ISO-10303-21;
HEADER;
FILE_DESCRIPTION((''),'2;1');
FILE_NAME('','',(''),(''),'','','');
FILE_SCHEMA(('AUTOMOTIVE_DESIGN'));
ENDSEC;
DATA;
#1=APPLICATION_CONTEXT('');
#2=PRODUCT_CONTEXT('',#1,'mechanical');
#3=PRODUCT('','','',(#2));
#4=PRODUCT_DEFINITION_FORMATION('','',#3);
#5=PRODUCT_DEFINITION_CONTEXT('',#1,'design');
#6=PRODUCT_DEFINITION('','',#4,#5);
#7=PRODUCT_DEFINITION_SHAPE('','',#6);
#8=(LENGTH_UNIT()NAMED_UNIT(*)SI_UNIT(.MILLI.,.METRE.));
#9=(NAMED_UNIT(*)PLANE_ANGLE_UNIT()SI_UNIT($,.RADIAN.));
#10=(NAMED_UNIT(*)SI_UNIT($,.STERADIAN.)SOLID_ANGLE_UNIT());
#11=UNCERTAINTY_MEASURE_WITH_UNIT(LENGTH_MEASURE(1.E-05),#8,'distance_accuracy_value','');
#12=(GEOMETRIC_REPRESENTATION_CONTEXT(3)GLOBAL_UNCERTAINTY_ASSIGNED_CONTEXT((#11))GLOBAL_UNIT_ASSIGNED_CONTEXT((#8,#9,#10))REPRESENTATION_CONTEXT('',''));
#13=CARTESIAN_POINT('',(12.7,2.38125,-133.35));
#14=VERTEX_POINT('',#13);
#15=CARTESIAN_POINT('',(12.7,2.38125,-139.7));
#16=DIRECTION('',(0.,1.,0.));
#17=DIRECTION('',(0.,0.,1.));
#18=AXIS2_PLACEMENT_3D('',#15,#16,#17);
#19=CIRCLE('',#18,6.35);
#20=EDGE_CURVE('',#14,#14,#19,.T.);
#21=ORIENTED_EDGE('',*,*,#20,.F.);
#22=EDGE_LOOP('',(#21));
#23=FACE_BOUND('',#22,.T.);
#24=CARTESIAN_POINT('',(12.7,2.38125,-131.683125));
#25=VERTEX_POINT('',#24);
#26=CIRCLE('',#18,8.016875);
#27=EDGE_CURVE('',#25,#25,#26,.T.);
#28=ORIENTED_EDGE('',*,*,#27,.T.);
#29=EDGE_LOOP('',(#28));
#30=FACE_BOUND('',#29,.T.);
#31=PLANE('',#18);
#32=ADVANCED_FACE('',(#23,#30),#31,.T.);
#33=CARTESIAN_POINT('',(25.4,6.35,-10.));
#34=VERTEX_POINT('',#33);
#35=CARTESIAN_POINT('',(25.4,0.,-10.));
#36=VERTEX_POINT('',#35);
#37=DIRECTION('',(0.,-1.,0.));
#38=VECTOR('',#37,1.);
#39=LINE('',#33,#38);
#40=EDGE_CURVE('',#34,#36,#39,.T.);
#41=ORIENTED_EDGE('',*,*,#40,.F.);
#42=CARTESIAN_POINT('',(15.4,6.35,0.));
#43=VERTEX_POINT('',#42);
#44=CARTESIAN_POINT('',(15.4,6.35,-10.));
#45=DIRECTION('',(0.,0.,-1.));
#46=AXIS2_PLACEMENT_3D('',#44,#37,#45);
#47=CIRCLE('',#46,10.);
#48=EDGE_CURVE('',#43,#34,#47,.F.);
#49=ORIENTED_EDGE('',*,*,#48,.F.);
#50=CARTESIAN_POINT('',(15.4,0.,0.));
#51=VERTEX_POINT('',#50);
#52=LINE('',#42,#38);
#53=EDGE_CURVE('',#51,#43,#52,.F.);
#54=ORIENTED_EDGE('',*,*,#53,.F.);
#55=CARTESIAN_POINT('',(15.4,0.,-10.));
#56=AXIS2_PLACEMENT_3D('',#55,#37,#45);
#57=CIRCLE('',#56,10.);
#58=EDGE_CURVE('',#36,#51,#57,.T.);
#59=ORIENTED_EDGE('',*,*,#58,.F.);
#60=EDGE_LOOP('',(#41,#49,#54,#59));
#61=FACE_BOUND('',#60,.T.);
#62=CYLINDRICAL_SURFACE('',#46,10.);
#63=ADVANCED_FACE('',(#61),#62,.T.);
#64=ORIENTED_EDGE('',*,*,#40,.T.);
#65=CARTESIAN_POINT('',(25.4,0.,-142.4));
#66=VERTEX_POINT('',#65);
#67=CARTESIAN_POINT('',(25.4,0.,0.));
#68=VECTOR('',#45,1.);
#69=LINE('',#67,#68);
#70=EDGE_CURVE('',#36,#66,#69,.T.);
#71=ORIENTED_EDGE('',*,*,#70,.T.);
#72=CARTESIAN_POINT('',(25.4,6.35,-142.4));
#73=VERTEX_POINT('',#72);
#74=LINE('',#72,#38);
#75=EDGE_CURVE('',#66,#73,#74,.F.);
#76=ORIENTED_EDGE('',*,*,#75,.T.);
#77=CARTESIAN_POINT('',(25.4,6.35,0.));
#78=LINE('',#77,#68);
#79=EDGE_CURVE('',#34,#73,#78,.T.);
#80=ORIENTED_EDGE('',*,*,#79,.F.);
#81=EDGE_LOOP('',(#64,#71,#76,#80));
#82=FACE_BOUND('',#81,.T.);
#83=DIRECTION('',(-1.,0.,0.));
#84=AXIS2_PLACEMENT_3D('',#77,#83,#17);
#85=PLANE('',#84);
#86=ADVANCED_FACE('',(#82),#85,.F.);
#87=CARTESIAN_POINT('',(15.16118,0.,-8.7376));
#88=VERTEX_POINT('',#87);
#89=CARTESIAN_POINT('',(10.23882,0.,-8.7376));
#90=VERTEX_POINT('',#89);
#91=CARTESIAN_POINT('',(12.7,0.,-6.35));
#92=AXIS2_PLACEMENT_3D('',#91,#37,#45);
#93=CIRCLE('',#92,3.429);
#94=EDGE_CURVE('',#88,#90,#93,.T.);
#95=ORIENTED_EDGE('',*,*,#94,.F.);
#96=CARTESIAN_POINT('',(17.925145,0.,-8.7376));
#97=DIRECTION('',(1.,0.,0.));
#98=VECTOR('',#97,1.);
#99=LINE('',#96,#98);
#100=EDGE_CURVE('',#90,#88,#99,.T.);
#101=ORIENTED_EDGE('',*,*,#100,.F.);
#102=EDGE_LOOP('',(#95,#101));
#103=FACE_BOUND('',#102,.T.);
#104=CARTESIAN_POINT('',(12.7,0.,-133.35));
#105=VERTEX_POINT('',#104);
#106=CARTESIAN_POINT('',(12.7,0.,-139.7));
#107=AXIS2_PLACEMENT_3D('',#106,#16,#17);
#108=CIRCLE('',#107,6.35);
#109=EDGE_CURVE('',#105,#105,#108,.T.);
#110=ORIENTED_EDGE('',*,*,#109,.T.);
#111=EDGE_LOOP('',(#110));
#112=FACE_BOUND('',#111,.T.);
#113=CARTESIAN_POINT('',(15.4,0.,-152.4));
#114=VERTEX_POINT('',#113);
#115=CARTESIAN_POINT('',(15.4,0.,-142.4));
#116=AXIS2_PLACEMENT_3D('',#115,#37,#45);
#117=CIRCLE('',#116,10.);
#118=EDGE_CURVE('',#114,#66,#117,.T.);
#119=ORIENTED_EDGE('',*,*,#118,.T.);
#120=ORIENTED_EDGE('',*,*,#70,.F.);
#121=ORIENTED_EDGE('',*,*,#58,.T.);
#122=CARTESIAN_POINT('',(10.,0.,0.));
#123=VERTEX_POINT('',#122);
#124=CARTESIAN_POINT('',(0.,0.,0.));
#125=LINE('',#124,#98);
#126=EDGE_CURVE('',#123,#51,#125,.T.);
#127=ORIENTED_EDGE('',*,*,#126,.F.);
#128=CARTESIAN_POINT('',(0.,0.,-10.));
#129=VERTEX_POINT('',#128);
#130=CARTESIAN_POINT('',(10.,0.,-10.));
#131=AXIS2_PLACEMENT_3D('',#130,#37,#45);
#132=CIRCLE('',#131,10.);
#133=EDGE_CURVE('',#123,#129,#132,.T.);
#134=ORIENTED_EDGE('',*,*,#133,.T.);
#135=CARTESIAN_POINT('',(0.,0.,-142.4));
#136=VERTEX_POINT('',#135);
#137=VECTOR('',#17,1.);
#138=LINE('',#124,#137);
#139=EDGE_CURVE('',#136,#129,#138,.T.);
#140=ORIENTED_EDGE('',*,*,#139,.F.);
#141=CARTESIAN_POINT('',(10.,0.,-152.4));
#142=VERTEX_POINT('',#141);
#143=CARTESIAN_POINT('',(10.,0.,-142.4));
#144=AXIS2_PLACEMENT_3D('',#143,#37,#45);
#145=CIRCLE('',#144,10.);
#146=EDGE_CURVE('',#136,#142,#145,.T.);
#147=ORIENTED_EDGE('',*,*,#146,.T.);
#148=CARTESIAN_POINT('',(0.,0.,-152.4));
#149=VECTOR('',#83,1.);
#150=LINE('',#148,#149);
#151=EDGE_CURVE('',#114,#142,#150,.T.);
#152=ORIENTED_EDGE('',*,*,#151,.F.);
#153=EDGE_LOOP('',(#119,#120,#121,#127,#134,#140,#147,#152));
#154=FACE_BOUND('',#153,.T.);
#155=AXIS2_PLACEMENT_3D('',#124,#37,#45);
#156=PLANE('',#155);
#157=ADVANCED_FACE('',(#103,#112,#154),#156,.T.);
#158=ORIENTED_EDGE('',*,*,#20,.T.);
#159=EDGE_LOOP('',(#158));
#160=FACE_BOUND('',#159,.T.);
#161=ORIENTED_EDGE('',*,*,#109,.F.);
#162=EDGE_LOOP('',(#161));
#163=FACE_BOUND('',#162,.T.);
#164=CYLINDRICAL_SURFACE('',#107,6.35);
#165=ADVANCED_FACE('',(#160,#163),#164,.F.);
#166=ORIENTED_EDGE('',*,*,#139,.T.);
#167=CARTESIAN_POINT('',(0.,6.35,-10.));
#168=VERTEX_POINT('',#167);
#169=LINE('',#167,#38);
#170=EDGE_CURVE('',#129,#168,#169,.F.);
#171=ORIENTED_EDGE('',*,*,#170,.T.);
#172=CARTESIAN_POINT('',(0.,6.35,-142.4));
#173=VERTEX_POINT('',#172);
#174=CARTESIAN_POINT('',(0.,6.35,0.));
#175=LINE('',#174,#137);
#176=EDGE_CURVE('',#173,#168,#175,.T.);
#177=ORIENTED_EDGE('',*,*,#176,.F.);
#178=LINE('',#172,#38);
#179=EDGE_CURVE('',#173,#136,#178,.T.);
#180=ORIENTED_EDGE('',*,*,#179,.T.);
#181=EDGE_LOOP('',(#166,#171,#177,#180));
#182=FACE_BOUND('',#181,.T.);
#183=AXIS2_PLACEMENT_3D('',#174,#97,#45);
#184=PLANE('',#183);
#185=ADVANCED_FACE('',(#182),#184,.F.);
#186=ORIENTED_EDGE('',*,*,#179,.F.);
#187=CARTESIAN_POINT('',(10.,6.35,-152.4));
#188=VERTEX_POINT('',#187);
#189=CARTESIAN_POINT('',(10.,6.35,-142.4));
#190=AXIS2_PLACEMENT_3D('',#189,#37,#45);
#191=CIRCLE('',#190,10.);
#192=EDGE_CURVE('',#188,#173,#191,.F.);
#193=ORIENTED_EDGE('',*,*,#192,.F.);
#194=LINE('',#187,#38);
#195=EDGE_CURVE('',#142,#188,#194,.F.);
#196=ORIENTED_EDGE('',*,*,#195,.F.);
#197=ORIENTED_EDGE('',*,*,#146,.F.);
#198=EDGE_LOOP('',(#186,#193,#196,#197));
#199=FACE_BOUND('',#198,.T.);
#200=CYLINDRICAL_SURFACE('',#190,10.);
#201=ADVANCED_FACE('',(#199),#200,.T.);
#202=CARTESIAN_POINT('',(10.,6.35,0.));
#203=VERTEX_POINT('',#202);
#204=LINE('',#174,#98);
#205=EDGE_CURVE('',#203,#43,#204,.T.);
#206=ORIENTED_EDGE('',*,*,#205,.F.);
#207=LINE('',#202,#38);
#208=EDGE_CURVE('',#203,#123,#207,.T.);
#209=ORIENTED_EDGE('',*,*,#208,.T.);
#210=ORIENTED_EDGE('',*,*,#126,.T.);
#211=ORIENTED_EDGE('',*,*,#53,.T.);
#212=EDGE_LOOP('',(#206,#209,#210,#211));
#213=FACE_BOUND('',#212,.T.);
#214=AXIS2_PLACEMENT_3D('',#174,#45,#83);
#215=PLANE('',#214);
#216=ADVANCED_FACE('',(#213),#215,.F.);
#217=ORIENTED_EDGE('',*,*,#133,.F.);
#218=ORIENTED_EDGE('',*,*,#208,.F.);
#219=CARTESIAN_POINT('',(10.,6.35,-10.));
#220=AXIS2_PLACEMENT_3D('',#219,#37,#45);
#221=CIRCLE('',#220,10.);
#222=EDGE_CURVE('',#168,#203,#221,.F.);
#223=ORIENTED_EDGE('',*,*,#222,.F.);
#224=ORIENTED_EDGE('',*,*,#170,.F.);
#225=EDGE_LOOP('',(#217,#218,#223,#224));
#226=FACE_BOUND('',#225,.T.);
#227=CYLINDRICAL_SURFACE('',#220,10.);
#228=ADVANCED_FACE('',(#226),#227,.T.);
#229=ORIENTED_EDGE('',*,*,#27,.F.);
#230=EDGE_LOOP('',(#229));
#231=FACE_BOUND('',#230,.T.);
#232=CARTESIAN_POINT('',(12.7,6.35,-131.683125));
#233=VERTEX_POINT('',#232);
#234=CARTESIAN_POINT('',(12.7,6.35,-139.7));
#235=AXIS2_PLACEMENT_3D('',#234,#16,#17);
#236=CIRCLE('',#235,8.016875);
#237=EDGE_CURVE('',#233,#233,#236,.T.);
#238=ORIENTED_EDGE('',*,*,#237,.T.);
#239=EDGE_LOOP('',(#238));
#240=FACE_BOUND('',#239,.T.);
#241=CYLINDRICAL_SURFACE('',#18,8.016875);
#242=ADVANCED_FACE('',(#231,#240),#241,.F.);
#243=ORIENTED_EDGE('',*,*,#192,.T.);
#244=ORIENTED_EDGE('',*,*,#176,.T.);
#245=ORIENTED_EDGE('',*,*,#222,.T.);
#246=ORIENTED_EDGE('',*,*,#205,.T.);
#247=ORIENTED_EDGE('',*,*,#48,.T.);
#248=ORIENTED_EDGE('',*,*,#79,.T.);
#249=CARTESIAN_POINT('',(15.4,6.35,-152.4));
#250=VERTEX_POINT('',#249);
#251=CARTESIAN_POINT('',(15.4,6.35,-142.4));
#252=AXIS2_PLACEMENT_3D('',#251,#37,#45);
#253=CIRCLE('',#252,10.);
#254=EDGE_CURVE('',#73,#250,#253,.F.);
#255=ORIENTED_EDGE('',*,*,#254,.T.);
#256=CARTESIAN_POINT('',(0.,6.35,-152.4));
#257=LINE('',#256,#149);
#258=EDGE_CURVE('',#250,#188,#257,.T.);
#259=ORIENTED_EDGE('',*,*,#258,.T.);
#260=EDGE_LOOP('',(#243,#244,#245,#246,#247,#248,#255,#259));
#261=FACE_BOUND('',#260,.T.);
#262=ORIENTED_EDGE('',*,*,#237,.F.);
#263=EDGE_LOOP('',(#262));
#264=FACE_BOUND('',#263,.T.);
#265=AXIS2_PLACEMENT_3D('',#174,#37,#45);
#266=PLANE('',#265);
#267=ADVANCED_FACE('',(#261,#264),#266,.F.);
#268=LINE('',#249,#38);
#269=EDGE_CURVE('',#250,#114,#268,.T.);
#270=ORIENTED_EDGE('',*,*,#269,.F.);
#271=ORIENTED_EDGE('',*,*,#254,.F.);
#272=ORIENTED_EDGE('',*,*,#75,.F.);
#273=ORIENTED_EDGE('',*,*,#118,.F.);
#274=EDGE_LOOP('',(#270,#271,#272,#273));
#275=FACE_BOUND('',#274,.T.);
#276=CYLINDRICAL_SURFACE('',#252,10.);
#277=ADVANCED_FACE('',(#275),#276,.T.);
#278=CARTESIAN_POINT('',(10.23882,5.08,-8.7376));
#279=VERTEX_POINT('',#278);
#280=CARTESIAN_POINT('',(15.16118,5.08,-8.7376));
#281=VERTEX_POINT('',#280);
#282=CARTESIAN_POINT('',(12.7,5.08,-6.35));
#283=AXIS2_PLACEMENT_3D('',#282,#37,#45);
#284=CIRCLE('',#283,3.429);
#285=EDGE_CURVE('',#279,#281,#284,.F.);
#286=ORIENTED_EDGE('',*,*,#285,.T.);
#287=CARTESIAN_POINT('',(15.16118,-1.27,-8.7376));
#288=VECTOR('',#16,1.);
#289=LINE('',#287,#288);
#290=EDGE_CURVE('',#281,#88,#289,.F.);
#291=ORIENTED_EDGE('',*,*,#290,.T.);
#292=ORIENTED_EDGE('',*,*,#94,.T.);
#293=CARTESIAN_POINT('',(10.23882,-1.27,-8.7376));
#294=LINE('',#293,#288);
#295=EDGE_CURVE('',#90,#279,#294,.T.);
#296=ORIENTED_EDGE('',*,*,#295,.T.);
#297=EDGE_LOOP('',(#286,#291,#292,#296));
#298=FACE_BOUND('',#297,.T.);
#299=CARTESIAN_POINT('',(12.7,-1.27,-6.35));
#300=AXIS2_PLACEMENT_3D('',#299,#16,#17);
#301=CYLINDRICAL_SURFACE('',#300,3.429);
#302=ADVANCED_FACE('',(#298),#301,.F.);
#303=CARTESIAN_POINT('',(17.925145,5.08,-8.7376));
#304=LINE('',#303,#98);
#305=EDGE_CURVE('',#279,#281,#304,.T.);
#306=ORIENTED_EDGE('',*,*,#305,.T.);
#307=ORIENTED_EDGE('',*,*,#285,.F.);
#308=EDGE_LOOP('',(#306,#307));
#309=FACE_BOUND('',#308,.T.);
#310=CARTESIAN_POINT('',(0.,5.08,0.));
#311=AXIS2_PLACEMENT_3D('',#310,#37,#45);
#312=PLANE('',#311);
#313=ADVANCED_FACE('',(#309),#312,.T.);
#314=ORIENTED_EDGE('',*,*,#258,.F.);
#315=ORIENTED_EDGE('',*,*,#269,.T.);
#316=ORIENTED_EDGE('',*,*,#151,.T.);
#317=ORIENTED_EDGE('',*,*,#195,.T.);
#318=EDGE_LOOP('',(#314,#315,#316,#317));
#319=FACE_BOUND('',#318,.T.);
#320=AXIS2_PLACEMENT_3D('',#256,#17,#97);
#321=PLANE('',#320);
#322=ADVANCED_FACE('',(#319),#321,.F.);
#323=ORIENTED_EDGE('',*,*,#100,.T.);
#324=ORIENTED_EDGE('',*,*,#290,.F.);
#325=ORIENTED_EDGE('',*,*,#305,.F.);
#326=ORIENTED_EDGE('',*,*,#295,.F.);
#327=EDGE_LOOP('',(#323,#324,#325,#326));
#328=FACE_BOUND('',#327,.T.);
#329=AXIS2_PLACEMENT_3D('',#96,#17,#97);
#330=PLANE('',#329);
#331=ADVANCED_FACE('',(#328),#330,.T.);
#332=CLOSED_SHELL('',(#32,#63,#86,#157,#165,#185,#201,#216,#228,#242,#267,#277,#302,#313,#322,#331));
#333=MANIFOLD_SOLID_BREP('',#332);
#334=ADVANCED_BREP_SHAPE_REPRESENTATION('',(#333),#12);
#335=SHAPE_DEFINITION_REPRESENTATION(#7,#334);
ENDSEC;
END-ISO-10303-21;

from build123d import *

# Parameters (mm, degrees)
SKETCH1_W           = 25.4
SKETCH1_H           = 152.4
BOSS_EXTRUDE1_DEPTH = 6.35
SKETCH5_R           = 8.016875
CUT_EXTRUDE1_DEPTH  = 3.96875
SKETCH6_R           = 6.35
CUT_EXTRUDE2_DEPTH  = 155.553133183
SKETCH7_R           = 3.429
CUT_EXTRUDE3_DEPTH  = 7.62
SKETCH9_W           = 11.198432991
SKETCH9_H           = 1.819618823
BOSS_EXTRUDE2_DEPTH = 6.35
BOSS_EXTRUDE4_START = -6.35
SKETCH11_W          = 13.636513595
SKETCH11_H          = 8.31497605
BOSS_EXTRUDE4_DEPTH = 1.27
FILLET1_R           = 10


with BuildPart() as part:
    # Sketch1 → Boss-Extrude1 (new body)
    with BuildSketch(Plane(origin=(0, 0, 0), x_dir=(1, 0, 0), z_dir=(0, 1, 0))):
        with Locations((12.7, 76.2)):
            Rectangle(SKETCH1_W, SKETCH1_H)
    extrude(amount=BOSS_EXTRUDE1_DEPTH)

    # Sketch5 → Cut-Extrude1 (cut)
    with BuildSketch(Plane(origin=(0, 6.35, 0), x_dir=(1, 0, 0), z_dir=(0, 1, 0))):
        with Locations(Location((12.7, 139.7, 0), (0, 0, 270))):
            Circle(SKETCH5_R)
    extrude(amount=-CUT_EXTRUDE1_DEPTH, mode=Mode.SUBTRACT)

    # Sketch6 → Cut-Extrude2 (cut, through all)
    with BuildSketch(Plane(origin=(0, 2.38125, 0), x_dir=(1, 0, 0), z_dir=(0, 1, 0))):
        with Locations(Location((12.7, 139.7, 0), (0, 0, 270))):
            Circle(SKETCH6_R)
    extrude(amount=-CUT_EXTRUDE2_DEPTH, mode=Mode.SUBTRACT)

    # Sketch7 → Cut-Extrude3 (cut)
    with BuildSketch(Plane(origin=(0, 6.35, 0), x_dir=(1, 0, 0), z_dir=(0, 1, 0))):
        with Locations(Location((12.7, 6.35, 0), (0, 0, 270))):
            Circle(SKETCH7_R)
    extrude(amount=-CUT_EXTRUDE3_DEPTH, mode=Mode.SUBTRACT)

    # Sketch9 → Boss-Extrude2 (add, through all)
    with BuildSketch(Plane(origin=(0, 6.35, 0), x_dir=(1, 0, 0), z_dir=(0, 1, 0))):
        with Locations((12.325928429, 9.647409411)):
            Rectangle(SKETCH9_W, SKETCH9_H)
    extrude(amount=-BOSS_EXTRUDE2_DEPTH)

    # Sketch11 → Boss-Extrude4 (add)
    with BuildSketch(Plane.XZ.offset(BOSS_EXTRUDE4_START)):
        with Locations((12.44089651, -6.12924614)):
            Rectangle(SKETCH11_W, SKETCH11_H)
    extrude(amount=BOSS_EXTRUDE4_DEPTH)

    # Fillet1
    fillet1_edges = [part.edges().sort_by_distance(p)[0] for p in [
        (0, 3.175, -152.4),
        (25.4, 3.175, -152.4),
        (25.4, 3.175, 0),
        (0, 3.175, 0),
    ]]
    fillet(fillet1_edges, radius=FILLET1_R)


solid = part.part
